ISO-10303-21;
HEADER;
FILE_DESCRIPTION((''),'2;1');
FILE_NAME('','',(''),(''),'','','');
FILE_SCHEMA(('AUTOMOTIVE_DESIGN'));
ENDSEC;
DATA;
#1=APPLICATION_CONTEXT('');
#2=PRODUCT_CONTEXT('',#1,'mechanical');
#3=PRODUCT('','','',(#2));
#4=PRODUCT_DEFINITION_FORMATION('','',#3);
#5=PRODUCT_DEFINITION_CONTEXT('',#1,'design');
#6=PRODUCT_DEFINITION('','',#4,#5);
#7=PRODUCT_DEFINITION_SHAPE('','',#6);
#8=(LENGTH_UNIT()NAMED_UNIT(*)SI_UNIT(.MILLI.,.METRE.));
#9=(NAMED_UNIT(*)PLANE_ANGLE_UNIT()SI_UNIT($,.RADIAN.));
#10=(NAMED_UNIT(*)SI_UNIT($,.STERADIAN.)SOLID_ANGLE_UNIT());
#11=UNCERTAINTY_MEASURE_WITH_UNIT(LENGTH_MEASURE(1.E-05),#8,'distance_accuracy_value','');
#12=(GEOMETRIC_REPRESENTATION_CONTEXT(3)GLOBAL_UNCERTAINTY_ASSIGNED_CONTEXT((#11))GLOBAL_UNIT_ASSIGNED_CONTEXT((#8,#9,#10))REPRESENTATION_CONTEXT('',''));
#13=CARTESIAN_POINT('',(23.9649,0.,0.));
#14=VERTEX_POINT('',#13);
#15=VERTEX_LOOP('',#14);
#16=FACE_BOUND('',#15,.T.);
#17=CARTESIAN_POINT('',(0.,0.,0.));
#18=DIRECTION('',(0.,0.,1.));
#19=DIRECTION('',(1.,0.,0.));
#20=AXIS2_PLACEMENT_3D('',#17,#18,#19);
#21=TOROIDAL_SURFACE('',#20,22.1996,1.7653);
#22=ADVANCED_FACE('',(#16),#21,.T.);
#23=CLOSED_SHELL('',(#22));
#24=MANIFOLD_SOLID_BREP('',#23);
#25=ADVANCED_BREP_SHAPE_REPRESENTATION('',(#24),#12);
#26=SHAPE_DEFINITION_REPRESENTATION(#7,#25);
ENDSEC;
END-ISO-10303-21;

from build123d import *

# Parameters (mm, degrees)
SKETCH2_R = 1.7653


with BuildPart() as part:
    # Sketch2 → Revolve1 (revolve)
    with BuildSketch(Plane(origin=(0, 0, 0), x_dir=(1, 0, 0), z_dir=(0, 1, 0))):
        with Locations((-22.1996, 0)):
            Circle(SKETCH2_R)
    revolve(axis=Axis((0, 0, 1.7653), (0, 0, -1)))


solid = part.part
